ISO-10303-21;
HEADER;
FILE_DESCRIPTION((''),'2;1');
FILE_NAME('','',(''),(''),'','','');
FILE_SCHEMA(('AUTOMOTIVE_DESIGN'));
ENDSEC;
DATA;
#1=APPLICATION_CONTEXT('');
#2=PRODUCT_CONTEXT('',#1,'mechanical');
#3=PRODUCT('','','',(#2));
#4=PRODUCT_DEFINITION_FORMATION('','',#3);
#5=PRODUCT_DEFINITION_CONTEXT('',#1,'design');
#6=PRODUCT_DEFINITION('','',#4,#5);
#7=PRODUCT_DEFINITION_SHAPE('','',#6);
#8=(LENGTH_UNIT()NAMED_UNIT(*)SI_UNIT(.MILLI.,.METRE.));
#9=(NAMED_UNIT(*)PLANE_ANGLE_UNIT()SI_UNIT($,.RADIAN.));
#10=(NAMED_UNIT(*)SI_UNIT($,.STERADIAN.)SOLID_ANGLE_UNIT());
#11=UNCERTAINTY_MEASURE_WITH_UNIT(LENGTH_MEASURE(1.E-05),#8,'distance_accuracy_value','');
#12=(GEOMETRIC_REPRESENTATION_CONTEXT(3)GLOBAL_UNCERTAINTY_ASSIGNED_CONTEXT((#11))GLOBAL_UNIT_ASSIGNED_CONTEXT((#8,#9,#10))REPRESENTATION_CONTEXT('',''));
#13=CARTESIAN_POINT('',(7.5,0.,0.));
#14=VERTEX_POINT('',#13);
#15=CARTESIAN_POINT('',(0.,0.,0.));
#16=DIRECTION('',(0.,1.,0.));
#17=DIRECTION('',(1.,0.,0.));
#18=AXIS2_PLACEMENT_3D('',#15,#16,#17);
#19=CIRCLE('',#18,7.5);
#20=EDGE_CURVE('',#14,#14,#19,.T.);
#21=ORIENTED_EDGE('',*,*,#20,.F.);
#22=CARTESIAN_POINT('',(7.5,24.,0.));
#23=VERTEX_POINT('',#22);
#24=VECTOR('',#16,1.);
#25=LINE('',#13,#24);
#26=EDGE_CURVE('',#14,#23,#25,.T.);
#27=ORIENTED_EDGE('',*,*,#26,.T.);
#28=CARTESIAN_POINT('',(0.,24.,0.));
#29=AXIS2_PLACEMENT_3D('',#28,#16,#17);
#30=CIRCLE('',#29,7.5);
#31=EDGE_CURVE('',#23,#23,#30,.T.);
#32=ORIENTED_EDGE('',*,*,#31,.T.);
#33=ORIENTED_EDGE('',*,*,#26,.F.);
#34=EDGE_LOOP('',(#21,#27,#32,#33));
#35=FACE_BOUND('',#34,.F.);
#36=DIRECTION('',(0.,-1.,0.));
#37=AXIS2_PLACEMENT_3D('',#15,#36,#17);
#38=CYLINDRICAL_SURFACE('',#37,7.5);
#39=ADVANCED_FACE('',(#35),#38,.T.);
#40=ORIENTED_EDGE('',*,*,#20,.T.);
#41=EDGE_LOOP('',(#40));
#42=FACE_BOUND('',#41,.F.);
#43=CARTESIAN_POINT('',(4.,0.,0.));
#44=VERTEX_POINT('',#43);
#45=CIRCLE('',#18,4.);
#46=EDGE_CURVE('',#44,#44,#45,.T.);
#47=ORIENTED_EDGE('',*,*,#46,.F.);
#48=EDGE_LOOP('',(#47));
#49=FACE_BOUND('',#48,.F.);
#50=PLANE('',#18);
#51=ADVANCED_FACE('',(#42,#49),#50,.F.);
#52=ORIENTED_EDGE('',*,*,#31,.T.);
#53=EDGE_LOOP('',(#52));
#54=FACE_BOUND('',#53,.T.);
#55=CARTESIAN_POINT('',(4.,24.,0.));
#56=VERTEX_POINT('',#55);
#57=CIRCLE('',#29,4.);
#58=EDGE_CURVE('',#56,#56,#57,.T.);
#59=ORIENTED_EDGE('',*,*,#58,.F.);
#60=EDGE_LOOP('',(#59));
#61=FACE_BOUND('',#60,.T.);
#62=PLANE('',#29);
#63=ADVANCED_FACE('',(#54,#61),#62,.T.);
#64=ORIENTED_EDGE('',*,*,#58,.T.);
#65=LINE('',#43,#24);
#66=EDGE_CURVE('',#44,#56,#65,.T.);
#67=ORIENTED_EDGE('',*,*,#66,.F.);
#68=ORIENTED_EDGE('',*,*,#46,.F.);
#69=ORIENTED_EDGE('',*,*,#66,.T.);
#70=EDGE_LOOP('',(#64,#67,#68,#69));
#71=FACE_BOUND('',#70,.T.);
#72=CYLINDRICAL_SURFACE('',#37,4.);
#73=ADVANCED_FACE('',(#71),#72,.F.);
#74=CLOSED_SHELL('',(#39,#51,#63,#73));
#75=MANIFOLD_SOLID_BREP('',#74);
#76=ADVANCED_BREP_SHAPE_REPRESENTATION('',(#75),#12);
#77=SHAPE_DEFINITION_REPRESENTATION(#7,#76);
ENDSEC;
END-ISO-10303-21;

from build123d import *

# Parameters (mm, degrees)
SKETCH1_R           = 7.5
SKETCH1_R_2         = 4
BOSS_EXTRUDE1_DEPTH = 24


with BuildPart() as part:
    # Sketch1 → Boss-Extrude1 (new body)
    with BuildSketch(Plane(origin=(0, 0, 0), x_dir=(1, 0, 0), z_dir=(0, 1, 0))):
        Circle(SKETCH1_R)
        Circle(SKETCH1_R_2, mode=Mode.SUBTRACT)
    extrude(amount=BOSS_EXTRUDE1_DEPTH)


solid = part.part
